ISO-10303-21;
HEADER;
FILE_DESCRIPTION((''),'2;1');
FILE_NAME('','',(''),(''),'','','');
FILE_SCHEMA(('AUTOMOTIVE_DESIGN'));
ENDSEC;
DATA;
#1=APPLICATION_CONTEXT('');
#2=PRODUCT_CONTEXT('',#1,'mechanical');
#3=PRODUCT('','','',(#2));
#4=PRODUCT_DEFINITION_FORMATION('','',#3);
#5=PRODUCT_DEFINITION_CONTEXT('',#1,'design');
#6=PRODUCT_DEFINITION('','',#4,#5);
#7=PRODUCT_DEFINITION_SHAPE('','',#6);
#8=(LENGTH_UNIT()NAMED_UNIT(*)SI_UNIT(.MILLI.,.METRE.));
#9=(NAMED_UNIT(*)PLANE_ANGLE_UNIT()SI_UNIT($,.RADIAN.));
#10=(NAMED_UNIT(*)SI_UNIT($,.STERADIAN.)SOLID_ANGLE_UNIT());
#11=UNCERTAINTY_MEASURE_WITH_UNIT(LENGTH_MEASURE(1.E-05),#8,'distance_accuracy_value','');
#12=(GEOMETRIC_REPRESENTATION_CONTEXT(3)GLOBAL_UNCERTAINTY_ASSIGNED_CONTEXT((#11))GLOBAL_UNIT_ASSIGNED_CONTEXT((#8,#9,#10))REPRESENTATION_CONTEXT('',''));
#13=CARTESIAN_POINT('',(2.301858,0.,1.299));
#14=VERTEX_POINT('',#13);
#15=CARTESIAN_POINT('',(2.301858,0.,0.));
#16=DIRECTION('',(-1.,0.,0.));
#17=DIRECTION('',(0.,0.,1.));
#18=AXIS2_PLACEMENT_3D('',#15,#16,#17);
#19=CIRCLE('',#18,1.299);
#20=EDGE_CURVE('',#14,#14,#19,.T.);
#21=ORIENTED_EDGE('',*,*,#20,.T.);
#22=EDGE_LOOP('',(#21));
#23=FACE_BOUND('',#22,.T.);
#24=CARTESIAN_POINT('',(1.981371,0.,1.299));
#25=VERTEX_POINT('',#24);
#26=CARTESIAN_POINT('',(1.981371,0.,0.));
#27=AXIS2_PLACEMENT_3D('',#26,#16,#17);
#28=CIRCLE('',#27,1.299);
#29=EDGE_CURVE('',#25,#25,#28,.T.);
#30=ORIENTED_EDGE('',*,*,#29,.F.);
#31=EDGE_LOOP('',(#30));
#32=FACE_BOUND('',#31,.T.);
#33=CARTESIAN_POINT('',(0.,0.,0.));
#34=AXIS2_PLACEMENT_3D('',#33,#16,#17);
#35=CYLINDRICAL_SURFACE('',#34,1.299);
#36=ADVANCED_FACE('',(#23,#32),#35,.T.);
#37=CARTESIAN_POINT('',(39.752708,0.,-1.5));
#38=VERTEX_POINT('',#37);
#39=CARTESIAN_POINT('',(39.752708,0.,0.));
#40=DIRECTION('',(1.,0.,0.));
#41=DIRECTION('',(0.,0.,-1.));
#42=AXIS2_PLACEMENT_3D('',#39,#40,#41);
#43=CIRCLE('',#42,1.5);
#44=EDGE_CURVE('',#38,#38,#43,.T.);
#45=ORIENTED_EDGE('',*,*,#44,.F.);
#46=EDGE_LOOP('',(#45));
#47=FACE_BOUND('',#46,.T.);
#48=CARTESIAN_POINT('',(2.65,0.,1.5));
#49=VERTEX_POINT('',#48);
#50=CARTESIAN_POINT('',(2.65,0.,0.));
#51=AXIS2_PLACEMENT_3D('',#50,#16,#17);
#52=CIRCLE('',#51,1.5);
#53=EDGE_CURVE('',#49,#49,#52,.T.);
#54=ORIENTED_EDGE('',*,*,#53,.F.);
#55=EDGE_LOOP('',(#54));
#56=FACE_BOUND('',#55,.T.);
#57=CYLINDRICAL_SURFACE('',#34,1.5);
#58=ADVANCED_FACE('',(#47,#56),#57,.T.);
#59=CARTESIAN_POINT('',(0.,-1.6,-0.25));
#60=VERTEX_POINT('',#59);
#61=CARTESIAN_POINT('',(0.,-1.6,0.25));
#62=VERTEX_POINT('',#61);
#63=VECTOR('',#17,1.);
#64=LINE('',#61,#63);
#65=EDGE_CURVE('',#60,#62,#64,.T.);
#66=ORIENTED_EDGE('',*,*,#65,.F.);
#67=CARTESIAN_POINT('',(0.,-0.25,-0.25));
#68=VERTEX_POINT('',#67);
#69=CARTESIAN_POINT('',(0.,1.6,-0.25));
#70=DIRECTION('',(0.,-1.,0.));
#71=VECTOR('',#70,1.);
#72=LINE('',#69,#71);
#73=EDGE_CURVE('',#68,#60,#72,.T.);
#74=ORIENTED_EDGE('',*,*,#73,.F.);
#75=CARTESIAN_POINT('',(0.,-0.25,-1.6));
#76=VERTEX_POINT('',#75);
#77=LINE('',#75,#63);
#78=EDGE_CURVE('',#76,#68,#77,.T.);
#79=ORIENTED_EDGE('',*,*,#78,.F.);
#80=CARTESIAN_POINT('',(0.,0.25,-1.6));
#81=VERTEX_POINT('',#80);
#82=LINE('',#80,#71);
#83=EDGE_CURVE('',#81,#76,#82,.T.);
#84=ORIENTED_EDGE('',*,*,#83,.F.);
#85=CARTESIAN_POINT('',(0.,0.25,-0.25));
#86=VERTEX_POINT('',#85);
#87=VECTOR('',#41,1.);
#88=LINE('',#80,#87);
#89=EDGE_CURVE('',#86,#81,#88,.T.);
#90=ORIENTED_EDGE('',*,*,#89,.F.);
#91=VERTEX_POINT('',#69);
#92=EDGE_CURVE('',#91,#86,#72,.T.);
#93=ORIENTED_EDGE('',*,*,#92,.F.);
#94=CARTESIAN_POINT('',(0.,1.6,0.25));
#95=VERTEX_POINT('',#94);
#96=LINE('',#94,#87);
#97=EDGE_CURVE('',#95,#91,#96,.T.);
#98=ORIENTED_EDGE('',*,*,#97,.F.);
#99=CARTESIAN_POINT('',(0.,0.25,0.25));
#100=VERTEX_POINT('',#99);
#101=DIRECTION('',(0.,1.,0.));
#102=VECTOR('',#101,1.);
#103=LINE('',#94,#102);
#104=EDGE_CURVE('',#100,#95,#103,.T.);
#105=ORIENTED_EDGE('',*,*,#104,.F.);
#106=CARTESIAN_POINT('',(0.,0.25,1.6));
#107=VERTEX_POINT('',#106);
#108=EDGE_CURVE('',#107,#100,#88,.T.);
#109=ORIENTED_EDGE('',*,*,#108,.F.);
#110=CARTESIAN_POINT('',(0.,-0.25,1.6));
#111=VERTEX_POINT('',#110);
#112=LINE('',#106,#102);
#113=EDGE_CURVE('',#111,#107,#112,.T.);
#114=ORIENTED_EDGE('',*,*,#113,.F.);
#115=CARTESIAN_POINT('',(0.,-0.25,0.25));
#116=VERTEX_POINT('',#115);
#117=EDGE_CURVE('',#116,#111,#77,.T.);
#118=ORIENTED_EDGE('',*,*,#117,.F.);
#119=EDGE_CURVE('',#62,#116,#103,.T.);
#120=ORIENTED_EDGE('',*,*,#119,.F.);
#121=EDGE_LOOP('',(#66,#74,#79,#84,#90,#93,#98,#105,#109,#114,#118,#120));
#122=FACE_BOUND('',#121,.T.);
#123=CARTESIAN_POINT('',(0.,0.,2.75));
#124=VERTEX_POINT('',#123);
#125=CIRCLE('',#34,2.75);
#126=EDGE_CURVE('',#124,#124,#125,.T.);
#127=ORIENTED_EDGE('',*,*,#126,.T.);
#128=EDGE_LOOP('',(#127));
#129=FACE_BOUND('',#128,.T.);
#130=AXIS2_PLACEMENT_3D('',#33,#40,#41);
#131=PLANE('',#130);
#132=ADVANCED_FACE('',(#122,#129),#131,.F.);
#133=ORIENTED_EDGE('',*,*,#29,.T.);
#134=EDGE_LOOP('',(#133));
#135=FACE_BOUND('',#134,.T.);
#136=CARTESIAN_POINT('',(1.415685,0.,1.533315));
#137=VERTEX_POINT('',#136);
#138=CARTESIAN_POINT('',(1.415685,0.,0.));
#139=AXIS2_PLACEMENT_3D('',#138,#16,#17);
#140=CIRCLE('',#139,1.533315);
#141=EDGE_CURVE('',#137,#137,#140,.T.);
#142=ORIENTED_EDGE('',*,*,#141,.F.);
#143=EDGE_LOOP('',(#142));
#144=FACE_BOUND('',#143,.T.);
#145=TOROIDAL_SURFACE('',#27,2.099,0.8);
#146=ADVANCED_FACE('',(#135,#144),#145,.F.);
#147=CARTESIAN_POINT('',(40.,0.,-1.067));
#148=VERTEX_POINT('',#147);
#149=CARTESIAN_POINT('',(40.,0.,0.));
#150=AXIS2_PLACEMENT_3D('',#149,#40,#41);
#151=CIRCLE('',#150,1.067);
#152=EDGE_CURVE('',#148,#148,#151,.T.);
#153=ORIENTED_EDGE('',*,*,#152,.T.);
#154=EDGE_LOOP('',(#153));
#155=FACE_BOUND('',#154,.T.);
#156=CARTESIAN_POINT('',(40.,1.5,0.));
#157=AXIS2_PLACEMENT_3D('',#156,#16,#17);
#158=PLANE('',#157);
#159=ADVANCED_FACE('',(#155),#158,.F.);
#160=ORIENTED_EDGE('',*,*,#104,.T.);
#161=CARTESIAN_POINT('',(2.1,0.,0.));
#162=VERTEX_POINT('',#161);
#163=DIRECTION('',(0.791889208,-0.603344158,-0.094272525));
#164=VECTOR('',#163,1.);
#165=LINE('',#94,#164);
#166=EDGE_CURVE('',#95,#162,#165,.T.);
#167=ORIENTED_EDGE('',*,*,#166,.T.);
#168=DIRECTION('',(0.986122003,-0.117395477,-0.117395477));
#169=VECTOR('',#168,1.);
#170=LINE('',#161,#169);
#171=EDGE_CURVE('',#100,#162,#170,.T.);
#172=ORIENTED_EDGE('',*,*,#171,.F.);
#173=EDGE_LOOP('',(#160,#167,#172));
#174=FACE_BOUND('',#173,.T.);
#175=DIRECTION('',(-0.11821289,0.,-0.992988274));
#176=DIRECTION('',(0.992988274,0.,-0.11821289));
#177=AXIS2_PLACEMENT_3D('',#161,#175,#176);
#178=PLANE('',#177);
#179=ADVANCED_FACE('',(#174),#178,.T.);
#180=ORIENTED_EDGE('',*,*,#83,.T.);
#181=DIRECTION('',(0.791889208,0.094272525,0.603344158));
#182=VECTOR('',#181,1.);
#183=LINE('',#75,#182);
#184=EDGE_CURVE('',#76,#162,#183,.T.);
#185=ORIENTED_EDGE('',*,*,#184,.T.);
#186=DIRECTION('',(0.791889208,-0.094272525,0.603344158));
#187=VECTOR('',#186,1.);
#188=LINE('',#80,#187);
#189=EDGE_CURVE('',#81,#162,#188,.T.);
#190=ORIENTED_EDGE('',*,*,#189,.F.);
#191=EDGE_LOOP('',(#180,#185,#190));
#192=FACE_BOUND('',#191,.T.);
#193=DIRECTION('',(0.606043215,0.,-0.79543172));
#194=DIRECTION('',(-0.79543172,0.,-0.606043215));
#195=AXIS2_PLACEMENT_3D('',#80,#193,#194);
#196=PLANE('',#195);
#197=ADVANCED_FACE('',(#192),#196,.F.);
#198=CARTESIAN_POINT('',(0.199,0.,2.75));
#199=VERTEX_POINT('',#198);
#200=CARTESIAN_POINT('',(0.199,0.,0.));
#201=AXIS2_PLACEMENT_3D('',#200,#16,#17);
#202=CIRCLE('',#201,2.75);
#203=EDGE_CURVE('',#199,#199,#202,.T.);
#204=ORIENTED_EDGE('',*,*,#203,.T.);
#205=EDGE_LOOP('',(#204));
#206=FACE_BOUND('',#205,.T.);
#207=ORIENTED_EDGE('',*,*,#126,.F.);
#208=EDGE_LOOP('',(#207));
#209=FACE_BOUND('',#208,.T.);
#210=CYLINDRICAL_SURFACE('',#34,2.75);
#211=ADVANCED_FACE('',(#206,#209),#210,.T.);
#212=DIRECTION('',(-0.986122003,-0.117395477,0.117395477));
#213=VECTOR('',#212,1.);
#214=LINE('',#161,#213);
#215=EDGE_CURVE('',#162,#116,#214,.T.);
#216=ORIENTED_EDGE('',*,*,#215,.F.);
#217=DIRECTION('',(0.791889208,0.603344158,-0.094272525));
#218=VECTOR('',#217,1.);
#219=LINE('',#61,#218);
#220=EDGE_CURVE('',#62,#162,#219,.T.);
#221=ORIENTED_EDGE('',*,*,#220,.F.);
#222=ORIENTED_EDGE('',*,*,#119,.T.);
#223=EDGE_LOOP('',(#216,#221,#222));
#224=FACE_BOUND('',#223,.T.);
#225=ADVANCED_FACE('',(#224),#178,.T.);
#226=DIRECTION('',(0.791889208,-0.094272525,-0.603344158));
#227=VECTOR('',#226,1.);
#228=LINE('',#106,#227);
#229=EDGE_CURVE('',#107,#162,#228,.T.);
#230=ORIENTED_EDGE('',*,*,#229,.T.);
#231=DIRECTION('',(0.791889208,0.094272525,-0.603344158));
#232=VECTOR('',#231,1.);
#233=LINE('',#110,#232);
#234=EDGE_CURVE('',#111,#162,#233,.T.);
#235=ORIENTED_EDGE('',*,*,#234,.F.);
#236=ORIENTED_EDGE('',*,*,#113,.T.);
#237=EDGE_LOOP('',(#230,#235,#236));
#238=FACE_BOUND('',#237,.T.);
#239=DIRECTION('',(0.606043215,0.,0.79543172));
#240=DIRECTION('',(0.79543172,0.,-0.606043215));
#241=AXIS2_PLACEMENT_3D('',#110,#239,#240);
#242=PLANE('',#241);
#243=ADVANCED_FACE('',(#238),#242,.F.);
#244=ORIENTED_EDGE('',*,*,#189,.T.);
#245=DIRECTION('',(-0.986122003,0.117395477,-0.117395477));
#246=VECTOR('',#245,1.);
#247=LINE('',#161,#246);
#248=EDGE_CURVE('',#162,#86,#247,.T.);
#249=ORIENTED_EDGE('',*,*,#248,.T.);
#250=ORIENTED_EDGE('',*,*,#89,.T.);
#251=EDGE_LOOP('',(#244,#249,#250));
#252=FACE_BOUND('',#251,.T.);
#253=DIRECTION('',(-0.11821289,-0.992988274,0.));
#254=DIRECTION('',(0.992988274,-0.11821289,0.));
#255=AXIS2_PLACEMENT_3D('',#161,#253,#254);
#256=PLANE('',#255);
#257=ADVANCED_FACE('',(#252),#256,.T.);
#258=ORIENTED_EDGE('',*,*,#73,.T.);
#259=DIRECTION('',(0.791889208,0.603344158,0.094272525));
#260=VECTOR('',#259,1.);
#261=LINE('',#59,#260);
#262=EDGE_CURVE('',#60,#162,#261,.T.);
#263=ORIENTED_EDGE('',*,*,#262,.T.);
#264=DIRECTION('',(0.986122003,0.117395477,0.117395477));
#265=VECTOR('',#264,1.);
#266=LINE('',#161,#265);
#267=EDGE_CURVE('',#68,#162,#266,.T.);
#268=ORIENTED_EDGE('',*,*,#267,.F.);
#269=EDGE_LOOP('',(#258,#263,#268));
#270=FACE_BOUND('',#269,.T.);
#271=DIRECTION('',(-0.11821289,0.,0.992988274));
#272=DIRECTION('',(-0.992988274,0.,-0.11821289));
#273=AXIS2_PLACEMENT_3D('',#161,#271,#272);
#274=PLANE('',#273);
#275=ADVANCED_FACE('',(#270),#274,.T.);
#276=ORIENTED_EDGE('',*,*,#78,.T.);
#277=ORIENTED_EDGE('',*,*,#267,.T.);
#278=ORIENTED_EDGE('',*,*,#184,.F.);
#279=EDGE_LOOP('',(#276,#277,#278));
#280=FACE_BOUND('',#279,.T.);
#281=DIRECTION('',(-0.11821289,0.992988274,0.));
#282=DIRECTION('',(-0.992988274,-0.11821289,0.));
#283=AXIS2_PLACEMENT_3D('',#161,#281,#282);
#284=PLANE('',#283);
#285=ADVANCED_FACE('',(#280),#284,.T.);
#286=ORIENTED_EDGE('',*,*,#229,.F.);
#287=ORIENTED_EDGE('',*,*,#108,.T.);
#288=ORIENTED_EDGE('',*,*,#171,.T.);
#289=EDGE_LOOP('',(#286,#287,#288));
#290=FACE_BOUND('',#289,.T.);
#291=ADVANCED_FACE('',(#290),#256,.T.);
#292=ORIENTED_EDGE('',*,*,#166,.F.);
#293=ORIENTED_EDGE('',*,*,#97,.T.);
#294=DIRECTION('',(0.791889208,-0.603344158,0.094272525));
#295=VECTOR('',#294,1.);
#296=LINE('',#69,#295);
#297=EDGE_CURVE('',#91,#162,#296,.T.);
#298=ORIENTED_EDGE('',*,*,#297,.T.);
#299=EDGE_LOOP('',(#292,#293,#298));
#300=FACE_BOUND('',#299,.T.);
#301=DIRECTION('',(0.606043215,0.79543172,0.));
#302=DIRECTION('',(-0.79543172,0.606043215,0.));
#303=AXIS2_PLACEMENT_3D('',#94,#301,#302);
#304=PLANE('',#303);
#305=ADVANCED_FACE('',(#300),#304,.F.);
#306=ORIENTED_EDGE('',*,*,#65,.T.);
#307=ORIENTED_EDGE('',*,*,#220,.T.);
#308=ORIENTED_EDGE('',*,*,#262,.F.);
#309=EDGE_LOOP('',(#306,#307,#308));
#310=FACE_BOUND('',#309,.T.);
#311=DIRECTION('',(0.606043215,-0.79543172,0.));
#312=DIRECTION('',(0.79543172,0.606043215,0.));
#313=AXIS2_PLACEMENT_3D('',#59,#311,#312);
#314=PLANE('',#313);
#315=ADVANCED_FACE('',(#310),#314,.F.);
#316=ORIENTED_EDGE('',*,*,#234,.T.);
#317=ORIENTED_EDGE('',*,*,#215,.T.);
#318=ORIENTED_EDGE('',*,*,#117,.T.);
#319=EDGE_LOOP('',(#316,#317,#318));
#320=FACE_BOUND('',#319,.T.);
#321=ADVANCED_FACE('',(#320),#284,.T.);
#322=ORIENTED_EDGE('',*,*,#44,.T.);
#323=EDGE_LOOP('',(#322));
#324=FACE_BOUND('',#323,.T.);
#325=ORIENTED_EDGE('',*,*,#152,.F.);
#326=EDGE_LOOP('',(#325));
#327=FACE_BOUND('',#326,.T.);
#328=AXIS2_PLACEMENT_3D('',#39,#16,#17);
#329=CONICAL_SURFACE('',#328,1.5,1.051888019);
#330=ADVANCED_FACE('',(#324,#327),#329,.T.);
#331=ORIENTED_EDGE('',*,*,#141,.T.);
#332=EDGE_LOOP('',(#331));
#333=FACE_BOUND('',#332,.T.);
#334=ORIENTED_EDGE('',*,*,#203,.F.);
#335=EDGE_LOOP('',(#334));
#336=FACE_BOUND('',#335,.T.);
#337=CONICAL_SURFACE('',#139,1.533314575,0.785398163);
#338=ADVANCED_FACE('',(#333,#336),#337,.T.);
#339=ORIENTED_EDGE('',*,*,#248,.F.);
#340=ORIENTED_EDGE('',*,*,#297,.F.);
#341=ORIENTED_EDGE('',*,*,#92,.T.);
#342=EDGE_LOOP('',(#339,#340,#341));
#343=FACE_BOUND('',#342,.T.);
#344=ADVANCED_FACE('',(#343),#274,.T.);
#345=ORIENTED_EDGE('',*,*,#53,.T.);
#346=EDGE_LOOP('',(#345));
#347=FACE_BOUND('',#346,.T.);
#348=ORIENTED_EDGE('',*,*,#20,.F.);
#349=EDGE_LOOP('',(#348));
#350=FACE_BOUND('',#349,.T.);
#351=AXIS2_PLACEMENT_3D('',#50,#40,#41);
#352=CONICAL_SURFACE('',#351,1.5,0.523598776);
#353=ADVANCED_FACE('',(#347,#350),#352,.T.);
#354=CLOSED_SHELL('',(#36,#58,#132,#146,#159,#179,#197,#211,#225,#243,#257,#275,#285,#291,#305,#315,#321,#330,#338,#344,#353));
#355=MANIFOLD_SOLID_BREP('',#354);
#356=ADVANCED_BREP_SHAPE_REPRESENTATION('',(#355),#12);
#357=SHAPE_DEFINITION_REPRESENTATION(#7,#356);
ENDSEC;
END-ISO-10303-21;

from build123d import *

# Parameters (mm, degrees)
PATTERN_CIRCULAR_1_COUNT = 2
PATTERN_CIRCULAR_1_ANGLE = 90


with BuildPart() as part:
    # 草图1 → Revolve 694 (revolve)
    with BuildSketch(Plane.XY, mode=Mode.PRIVATE) as revolve_694_sk:
        with BuildLine():
            Line((0, 0), (0, 2.75))
            Line((0, 2.75), (0.199, 2.75))
            Line((0.199, 2.75), (1.415685425, 1.533314575))
            ThreePointArc((1.415685425, 1.533314575), (1.675224104, 1.359896374), (1.98137085, 1.299))
            Line((1.98137085, 1.299), (2.301857788, 1.299))
            Line((2.301857788, 1.299), (2.65, 1.5))
            Line((2.65, 1.5), (40, 1.5))
            Line((40, 1.5), (40, 0))
            Line((40, 0), (0, 0))
        make_face()
    revolve(revolve_694_sk.sketch.rotate(Axis((0, 0, 0), (1, 0, 0)), 90), axis=Axis((0, 0, 0), (1, 0, 0)))

    # 草图2 → 切除-旋转1 (revolve, cut)
    with BuildSketch(Plane.XY, mode=Mode.PRIVATE) as cut_revolve_1_sk:
        Polygon((39.752708003, 1.5), (40.252708003, 1.5), (40, 1.067), align=None)
    revolve(cut_revolve_1_sk.sketch.rotate(Axis((0, 0, 0), (-1, 0, 0)), 270), axis=Axis((0, 0, 0), (-1, 0, 0)), mode=Mode.SUBTRACT)

    # 草图3 → 切除-放样1 section 0
    with BuildSketch(Plane.ZY, mode=Mode.PRIVATE) as loft_1_s0:
        with BuildLine():
            Line((-1.6, 0.25), (1.6, 0.25))
            Line((1.6, 0.25), (1.6, -0.25))
            Line((1.6, -0.25), (-1.6, -0.25))
            Line((-1.6, -0.25), (-1.6, 0.25))
        make_face()
    loft_1 = loft([loft_1_s0.sketch, Vertex(2.1, 0, 0)], mode=Mode.SUBTRACT)

    # 阵列(圆周)1: 切除-放样1 ×2 about axis
    pattern_circular_1_axis = Axis((0, 0, 0), (1, 0, 0))
    for i in range(1, PATTERN_CIRCULAR_1_COUNT):
        add(loft_1.rotate(pattern_circular_1_axis, i * PATTERN_CIRCULAR_1_ANGLE / (PATTERN_CIRCULAR_1_COUNT - 1)), mode=Mode.SUBTRACT)


solid = part.part
